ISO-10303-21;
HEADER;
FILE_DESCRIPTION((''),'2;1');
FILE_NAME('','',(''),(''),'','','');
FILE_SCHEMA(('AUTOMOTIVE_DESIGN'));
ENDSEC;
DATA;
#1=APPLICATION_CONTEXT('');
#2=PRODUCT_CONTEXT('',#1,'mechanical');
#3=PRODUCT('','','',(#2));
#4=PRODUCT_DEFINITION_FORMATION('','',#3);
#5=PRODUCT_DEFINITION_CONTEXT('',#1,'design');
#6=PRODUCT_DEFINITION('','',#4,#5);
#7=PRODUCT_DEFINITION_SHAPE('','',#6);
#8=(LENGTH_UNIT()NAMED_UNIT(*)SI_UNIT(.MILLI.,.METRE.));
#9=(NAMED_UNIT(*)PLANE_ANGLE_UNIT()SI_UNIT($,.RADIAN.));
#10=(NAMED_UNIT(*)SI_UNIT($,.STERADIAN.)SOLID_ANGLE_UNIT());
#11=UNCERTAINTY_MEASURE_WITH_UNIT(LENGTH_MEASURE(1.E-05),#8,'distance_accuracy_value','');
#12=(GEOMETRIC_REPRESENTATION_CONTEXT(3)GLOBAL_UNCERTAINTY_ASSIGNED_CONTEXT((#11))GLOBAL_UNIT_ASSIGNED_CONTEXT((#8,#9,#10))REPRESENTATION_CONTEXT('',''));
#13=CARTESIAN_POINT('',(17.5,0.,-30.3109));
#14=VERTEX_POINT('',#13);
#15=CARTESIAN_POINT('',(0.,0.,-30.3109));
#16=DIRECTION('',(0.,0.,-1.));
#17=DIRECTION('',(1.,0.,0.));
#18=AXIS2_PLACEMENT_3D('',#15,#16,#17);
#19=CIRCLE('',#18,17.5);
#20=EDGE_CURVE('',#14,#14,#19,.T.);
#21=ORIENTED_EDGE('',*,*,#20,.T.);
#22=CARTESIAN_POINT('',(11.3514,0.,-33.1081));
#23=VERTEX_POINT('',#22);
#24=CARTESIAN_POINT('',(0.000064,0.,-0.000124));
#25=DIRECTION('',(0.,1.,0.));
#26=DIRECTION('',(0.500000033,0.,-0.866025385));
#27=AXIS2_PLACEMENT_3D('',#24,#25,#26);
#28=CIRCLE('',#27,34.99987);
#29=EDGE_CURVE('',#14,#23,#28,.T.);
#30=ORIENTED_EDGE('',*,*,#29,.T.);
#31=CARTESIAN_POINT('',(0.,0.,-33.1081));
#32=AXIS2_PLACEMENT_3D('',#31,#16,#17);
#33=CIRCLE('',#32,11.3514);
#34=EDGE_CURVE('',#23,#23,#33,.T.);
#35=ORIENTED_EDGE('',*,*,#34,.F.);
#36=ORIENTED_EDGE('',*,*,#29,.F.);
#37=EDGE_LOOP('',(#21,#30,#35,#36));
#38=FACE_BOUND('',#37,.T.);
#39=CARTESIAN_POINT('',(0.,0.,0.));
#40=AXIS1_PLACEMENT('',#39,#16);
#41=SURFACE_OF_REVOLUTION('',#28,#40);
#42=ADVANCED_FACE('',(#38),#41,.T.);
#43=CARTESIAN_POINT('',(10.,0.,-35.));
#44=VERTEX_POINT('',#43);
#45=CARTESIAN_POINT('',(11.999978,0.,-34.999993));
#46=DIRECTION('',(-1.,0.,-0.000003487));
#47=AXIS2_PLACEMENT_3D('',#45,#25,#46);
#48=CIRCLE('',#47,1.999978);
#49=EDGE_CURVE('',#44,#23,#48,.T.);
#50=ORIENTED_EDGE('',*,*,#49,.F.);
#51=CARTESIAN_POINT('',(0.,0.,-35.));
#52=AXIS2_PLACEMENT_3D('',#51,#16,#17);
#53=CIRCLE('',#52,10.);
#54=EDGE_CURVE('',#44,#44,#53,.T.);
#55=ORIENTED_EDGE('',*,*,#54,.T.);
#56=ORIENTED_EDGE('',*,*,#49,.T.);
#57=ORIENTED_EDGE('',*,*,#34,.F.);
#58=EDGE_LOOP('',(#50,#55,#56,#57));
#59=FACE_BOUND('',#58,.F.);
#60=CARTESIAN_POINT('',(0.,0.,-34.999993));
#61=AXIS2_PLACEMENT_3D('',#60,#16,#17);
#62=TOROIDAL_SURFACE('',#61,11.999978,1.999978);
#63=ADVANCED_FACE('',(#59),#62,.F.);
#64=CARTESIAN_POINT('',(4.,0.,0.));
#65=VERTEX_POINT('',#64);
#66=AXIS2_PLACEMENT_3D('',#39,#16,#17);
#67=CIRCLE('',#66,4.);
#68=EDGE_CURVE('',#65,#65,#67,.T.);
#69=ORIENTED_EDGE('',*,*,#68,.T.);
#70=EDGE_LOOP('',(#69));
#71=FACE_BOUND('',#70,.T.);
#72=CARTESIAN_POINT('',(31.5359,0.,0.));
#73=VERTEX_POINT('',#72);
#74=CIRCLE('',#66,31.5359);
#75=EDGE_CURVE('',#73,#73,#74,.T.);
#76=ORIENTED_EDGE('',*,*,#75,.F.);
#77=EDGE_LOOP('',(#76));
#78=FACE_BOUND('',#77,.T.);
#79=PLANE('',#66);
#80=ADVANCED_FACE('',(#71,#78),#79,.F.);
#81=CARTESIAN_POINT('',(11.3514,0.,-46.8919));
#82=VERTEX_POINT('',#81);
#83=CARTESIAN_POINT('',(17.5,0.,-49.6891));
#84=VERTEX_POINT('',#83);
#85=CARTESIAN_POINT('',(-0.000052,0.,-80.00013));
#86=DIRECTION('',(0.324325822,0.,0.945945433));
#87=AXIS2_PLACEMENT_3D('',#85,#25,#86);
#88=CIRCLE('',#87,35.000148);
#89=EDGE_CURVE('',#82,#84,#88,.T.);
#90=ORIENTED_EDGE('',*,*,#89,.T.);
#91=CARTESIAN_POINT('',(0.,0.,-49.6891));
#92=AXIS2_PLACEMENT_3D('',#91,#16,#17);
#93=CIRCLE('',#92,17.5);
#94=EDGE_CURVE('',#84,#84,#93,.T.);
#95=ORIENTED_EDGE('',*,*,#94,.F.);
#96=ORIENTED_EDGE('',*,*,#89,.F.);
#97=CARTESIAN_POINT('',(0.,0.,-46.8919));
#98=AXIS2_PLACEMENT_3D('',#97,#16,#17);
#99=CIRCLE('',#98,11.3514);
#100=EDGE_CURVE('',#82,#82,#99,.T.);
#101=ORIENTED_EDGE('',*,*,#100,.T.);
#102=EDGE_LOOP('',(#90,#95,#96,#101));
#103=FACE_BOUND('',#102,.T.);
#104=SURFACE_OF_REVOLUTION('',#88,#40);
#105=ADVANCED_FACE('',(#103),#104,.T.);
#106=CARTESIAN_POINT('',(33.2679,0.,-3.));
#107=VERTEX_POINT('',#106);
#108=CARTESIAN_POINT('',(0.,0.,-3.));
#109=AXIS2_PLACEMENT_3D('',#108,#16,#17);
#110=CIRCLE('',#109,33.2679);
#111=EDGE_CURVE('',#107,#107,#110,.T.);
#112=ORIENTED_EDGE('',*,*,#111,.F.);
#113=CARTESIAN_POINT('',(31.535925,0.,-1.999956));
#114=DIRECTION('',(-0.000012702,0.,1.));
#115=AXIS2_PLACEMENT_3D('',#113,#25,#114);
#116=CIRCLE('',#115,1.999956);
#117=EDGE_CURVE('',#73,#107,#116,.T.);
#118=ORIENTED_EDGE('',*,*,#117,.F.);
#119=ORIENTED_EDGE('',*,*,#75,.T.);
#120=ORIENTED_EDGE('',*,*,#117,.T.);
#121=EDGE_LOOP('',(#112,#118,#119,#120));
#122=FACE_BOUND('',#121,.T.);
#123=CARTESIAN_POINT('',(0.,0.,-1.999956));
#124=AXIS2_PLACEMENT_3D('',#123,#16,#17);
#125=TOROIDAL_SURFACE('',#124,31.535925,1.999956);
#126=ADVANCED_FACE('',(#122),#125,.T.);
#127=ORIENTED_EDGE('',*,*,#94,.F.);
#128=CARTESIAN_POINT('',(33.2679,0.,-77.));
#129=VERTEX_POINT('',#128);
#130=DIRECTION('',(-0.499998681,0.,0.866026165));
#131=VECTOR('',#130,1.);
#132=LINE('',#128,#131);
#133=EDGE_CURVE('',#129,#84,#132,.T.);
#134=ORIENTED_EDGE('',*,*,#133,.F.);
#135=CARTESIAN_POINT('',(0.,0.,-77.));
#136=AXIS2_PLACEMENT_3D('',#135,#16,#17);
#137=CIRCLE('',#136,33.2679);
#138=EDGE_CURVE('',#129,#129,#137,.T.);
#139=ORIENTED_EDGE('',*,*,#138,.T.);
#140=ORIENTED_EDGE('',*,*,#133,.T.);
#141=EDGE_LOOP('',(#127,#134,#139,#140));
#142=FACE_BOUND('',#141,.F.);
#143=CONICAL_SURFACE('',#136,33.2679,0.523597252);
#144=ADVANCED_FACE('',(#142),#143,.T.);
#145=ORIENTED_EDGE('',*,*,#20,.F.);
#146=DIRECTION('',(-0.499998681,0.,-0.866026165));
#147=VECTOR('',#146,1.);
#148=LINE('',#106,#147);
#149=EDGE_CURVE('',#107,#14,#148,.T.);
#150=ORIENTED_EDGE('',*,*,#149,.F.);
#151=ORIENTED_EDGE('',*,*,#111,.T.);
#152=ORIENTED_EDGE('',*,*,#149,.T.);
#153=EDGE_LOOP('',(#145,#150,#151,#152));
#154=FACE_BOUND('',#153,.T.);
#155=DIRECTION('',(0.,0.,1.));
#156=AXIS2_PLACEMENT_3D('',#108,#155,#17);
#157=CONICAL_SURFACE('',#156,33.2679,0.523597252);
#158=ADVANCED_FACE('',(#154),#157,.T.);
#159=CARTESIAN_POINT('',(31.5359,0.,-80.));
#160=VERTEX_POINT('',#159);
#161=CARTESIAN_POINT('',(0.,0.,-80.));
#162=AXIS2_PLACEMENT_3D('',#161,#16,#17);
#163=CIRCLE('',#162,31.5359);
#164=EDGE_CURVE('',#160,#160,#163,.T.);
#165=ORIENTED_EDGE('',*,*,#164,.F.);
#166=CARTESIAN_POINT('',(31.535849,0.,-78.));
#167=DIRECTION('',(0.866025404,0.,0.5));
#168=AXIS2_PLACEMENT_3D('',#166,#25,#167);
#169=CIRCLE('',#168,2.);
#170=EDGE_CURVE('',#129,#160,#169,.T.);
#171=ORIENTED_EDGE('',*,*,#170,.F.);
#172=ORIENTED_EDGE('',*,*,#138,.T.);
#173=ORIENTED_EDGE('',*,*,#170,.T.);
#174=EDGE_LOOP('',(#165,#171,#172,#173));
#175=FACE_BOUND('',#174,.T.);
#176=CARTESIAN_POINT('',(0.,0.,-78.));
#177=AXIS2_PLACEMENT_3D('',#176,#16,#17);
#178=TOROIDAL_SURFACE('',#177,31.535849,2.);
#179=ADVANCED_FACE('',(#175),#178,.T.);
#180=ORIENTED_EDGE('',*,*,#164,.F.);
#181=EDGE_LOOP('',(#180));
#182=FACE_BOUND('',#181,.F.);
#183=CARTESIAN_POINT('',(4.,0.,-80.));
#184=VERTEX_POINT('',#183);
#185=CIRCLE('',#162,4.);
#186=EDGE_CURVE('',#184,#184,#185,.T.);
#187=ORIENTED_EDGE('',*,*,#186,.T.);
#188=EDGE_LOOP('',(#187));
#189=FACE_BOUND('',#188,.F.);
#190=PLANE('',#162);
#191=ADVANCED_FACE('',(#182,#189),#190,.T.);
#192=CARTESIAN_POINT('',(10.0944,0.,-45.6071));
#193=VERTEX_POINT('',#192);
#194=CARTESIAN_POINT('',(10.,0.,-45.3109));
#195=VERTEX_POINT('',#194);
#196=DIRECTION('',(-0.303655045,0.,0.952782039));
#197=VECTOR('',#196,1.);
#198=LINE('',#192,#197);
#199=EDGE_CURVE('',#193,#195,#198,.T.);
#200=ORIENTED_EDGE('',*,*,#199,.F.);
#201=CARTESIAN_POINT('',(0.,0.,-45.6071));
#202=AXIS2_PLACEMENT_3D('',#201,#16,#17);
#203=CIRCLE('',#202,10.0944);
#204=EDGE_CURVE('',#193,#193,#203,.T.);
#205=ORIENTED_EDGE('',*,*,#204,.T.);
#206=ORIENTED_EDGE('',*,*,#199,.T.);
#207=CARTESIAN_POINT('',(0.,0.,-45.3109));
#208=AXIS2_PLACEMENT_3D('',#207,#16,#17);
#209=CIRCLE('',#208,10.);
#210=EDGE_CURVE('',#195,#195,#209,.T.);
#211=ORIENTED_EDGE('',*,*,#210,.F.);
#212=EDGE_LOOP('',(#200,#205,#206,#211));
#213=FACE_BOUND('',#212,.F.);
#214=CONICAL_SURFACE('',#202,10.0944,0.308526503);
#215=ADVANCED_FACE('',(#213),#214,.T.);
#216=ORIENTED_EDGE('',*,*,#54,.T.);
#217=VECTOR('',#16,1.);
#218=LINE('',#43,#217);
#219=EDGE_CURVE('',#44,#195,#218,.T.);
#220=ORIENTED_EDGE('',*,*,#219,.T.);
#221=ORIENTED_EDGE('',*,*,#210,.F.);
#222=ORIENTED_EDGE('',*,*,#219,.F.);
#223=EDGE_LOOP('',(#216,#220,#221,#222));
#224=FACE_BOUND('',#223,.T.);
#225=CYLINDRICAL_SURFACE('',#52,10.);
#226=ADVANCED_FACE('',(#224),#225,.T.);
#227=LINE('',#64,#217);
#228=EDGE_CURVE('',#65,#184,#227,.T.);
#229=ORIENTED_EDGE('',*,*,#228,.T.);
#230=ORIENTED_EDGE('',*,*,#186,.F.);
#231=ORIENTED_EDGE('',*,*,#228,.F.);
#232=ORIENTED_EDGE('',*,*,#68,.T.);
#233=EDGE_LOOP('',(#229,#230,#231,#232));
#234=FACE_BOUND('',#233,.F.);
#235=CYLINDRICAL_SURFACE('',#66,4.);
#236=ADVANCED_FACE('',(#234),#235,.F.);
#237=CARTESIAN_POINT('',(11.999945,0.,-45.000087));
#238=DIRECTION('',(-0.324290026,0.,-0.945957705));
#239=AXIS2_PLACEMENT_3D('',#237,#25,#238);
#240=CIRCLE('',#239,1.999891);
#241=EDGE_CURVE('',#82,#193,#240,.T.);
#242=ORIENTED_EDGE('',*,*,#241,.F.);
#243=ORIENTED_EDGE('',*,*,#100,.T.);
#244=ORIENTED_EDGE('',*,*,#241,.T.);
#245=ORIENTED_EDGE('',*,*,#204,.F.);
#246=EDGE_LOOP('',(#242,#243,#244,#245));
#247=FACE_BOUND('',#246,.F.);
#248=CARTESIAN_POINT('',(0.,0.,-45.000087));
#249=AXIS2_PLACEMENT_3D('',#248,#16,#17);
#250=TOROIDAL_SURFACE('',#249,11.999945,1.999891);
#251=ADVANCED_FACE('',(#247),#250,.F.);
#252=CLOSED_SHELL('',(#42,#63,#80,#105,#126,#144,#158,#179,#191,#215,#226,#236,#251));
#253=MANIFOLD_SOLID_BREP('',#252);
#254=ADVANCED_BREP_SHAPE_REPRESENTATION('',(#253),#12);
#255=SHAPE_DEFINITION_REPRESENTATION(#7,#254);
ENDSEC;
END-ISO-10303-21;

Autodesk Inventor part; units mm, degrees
ref_plane "YZ Plane" through (0, 0, 0) normal (1, 0, 0) x (0, 1, 0)
ref_plane "XZ Plane" through (0, 0, 0) normal (0, 1, 0) x (-1, 0, 0)
ref_plane "XY Plane" through (0, 0, 0) normal (0, 0, 1) x (1, 0, 0)
sketch "Sketch1" plane through (0, 0, 0) normal (0, 1, 0) x (-1, 0, 0)
  line L0 (0, 0) -> (-31.5359, 0)
  line L1 (0, 0) -> (27.4991, 0) construction
  line L2 (-33.2679, -3) -> (-17.5, -30.3109)
  line L3 (-35, 0) -> (8.6719, 0) construction
  line L4 (0, 0) -> (0, -35)
  arc A0 (-17.5, -30.3109) -> (-11.3514, -33.1081) centre (0, 0) ccw
  line L5 (-10, -35) -> (-10, -45.3109)
  line L6 (0, -45.3109) -> (0, -30.3109)
  line L7 (0, -80) -> (-31.5359, -80)
  line L8 (-33.2679, -77) -> (-17.5, -49.6891)
  line L9 (-35, -80) -> (8.6719, -80) construction
  line L10 (0, -80) -> (0, -45)
  arc A1 (-11.3514, -46.8919) -> (-17.5, -49.6891) centre (0, -80) ccw
  line L11 (-10.0944, -45.6071) -> (-10, -45.3109)
  line L12 (0, -45.3109) -> (0, -49.6891)
  arc A2 (-31.5359, 0) -> (-33.2679, -3) centre (-31.5359, -2) ccw
  arc A3 (-33.2679, -77) -> (-31.5359, -80) centre (-31.5359, -78) ccw
  arc A4 (-10, -35) -> (-11.3514, -33.1081) centre (-12, -35) ccw
  arc A5 (-11.3514, -46.8919) -> (-10.0944, -45.6071) centre (-12, -45) ccw
  line L13 (-4, 0) -> (-4, -80)
  dimension "d0" = 35
  dimension "d3" = 60
  dimension "d5" = 10
  dimension "d7" = 2
  dimension "d8" = 80
revolve "Revolution1" add sketch "Sketch1" angle 360 about axis through (0, 0, 0) along (0, 0, -1) contours L13 L7 A3 L8 A1 A5 L11 L5 A4 A0 L2 A2 L0
ref_plane "Work Plane1" through (0, 0, -40) normal (0, 0, 1) x (1, 0, 0)
properties part number "wheel"
